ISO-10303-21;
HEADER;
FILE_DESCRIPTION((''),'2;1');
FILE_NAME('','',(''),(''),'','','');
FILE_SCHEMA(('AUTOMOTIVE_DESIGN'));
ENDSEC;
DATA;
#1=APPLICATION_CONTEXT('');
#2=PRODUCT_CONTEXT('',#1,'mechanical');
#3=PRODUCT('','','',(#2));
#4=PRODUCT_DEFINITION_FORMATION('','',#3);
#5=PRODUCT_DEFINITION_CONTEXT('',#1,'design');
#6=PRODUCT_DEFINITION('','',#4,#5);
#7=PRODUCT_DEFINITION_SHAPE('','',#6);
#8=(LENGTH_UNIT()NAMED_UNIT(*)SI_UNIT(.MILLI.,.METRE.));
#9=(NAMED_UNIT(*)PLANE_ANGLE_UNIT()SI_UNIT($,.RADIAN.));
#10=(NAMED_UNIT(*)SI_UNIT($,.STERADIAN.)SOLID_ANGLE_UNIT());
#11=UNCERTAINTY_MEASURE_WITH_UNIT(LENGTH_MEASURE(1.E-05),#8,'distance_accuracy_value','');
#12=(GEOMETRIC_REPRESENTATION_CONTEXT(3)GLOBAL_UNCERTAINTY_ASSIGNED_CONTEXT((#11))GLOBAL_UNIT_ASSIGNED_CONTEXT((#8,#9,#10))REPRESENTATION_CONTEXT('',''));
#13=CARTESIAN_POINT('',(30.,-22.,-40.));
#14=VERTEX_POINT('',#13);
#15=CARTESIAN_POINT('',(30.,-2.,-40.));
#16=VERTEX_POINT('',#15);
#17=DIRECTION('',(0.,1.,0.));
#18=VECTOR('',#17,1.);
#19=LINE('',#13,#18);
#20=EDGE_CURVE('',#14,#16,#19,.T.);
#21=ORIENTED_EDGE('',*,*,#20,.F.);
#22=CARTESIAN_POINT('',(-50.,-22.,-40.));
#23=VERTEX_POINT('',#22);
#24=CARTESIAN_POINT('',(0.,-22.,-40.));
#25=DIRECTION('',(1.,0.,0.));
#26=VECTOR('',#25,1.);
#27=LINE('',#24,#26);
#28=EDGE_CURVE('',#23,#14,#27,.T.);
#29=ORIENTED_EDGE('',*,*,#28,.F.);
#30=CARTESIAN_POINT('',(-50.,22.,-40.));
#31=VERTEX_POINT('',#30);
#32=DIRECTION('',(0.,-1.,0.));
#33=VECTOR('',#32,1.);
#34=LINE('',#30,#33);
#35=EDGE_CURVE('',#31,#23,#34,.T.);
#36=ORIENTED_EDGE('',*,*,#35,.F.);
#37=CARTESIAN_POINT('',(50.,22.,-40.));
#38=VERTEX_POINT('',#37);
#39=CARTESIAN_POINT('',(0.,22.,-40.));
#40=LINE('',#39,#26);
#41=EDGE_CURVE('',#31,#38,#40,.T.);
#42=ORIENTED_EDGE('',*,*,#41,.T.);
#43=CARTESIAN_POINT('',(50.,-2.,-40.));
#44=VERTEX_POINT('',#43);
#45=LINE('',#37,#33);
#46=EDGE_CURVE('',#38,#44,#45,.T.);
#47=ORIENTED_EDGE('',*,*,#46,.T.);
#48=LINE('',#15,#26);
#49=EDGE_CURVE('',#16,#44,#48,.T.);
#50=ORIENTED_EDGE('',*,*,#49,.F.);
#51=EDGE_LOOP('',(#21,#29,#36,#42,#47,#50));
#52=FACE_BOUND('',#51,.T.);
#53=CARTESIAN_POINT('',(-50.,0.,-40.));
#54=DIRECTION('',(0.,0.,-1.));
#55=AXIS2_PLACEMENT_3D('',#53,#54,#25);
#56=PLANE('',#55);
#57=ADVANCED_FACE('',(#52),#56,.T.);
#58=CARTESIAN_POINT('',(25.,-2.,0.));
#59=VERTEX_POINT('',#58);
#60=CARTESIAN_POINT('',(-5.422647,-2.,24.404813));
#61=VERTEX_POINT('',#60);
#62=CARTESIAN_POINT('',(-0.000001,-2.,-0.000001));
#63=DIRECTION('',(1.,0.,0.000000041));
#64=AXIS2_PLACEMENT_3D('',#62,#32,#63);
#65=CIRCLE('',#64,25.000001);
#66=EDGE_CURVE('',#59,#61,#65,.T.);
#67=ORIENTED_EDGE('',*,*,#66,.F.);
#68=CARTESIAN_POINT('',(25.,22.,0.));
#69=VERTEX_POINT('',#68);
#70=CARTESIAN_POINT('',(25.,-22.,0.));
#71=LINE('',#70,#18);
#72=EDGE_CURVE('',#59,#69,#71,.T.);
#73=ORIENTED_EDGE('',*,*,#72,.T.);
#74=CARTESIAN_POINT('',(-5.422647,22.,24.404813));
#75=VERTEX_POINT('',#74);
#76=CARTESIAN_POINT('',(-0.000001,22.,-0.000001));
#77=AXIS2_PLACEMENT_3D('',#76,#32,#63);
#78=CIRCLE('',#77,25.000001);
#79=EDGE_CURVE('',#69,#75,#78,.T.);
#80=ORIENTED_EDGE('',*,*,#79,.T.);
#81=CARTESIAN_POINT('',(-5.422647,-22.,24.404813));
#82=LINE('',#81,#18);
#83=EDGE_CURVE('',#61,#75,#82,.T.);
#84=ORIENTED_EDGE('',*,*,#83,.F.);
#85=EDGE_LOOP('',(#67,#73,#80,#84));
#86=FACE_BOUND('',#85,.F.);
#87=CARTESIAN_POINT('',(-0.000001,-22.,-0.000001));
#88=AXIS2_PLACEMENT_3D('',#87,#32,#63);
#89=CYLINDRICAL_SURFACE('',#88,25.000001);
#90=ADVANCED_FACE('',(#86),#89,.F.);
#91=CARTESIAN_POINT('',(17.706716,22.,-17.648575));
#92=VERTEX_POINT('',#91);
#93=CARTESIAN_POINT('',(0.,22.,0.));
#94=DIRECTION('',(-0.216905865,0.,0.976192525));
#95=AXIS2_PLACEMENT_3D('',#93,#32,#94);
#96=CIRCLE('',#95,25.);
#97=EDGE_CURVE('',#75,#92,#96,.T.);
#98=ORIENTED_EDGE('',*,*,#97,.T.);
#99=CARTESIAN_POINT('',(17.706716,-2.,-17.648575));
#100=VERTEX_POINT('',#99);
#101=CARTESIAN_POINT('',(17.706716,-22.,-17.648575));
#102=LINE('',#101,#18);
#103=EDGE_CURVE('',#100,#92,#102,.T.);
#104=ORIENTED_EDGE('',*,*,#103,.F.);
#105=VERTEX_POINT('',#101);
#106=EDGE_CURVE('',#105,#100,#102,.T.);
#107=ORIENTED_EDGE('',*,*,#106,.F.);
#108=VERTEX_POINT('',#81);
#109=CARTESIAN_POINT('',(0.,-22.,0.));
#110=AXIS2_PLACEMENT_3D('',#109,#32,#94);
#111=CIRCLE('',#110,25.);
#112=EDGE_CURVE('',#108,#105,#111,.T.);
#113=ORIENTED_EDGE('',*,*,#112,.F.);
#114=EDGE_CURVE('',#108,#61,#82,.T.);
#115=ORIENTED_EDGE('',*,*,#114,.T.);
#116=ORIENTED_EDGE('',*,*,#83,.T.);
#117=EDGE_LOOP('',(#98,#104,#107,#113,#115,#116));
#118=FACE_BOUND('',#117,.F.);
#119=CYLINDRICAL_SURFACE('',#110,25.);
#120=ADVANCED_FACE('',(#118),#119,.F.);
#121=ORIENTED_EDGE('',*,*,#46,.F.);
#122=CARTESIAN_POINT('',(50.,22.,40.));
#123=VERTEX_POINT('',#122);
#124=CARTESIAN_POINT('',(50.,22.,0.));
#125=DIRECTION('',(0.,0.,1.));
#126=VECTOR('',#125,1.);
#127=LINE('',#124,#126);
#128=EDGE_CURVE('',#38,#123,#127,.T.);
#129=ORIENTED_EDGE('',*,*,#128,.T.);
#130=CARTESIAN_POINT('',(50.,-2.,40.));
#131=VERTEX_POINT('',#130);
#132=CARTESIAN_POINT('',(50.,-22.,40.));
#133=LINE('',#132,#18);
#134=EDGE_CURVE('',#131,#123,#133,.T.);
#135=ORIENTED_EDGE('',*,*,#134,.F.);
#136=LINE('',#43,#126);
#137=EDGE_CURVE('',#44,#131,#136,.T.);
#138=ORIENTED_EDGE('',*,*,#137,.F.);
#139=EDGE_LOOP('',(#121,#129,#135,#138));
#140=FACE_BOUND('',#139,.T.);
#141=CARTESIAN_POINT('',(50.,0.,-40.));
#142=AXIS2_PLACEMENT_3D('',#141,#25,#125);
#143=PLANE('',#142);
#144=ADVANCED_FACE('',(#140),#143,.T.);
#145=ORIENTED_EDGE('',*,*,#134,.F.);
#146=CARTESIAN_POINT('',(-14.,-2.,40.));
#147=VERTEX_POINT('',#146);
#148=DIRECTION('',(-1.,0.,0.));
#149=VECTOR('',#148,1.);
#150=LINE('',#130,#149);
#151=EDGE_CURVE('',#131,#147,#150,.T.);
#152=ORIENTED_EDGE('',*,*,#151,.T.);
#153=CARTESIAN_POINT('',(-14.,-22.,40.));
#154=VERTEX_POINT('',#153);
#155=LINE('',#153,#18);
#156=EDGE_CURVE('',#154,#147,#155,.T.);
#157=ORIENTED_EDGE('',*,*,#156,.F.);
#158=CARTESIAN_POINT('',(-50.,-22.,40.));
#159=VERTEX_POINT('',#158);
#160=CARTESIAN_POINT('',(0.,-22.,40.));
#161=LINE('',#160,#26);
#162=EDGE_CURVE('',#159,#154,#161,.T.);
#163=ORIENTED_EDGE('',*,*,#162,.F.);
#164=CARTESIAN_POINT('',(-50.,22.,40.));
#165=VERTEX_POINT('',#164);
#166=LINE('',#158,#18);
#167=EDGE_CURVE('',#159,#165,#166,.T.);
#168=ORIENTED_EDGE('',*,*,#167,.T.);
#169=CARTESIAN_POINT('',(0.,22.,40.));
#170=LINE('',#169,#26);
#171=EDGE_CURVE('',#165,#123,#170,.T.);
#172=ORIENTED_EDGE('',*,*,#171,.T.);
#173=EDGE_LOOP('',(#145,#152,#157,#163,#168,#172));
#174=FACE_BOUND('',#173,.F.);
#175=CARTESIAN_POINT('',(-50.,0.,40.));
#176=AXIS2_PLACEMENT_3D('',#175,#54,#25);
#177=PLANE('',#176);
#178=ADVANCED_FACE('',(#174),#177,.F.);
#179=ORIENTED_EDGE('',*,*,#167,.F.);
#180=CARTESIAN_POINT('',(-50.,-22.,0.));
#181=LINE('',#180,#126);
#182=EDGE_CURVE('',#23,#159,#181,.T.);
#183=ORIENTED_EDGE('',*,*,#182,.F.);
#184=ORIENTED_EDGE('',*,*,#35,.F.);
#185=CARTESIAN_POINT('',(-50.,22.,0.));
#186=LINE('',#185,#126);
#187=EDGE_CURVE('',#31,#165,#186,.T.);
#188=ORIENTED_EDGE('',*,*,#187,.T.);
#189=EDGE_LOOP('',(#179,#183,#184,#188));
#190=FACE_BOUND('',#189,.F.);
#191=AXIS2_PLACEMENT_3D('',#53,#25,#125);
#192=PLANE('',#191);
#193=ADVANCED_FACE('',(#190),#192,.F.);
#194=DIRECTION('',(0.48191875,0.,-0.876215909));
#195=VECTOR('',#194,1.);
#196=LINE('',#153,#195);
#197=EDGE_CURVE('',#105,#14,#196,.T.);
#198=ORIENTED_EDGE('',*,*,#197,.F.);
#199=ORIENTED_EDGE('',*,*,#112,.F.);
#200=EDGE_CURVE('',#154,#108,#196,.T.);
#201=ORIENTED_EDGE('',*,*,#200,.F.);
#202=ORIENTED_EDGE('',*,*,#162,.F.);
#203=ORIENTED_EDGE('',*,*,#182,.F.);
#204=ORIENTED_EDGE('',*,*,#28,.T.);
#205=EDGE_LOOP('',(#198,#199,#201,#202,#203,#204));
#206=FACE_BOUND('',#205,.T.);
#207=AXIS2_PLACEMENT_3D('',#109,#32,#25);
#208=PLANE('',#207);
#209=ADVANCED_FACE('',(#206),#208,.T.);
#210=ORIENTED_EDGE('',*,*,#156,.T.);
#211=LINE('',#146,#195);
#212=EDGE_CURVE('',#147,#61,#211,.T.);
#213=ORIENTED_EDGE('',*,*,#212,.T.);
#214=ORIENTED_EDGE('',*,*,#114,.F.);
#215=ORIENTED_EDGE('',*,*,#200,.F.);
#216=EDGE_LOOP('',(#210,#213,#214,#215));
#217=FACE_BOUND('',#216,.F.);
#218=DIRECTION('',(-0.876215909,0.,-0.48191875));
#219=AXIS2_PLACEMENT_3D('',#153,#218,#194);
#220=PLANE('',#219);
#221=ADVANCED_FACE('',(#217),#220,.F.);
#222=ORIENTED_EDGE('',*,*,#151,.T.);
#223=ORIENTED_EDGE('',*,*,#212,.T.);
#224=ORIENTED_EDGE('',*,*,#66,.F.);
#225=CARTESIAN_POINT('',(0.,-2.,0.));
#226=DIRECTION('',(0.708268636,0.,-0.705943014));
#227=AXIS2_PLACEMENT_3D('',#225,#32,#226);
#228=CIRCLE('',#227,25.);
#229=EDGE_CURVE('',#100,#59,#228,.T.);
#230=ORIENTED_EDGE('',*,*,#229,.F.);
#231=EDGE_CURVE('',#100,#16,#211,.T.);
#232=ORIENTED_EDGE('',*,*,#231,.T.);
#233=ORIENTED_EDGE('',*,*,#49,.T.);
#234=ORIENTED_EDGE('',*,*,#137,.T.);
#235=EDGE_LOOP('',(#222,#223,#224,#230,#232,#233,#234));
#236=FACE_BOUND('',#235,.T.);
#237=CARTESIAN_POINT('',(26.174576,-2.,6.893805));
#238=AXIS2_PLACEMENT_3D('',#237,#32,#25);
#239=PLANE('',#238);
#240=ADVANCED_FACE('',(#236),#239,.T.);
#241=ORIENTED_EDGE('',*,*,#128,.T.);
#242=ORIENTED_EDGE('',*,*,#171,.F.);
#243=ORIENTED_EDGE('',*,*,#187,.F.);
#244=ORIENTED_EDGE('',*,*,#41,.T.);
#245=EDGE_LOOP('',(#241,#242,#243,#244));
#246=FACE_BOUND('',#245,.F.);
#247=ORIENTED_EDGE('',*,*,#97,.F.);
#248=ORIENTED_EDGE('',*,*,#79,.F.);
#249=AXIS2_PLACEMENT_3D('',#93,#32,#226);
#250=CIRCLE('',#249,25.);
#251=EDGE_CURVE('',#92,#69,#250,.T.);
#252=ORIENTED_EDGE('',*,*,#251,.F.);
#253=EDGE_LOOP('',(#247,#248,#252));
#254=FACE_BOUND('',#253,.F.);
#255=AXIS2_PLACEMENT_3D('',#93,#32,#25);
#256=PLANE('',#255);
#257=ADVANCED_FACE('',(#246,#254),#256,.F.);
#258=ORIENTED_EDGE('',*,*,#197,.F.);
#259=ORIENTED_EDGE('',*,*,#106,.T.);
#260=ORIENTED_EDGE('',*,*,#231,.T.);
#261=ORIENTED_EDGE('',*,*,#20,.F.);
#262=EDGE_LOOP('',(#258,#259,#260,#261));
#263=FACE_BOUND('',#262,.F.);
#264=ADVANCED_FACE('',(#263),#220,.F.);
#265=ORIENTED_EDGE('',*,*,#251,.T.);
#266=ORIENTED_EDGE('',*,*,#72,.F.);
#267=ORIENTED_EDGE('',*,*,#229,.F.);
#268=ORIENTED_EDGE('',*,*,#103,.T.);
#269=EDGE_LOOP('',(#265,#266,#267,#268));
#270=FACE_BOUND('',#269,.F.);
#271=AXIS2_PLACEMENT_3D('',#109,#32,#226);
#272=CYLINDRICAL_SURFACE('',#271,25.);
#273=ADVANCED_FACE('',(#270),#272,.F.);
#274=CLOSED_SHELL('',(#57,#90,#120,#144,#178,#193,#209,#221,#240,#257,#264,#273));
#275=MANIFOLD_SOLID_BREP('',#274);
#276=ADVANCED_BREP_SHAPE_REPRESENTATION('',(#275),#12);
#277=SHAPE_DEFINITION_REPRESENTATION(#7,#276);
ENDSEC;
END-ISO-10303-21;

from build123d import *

# Parameters (mm, degrees)
F0_W     = 100
F0_H     = 80
F1_DEPTH = 22
F3_DEPTH = 20
F5_DEPTH = 44.001


with BuildPart() as f1:
    # F0 (on Front) → F1 (new body, symmetric)
    with BuildSketch(Plane.XZ):
        Rectangle(F0_W, F0_H)
    extrude(amount=F1_DEPTH, both=True)

    # F2 (on face) → F3 (cut)
    with BuildSketch(Plane.XZ.offset(22)):
        Polygon((-14, 40), (30, -40), (50, -40), (50, 40), align=None)
    extrude(amount=-F3_DEPTH, mode=Mode.SUBTRACT)

    # F4 (on face) → F5 (cut, through all)
    with BuildSketch(Plane.XZ.offset(22)):
        with BuildLine():
            ThreePointArc((17.706716, -17.648575), (23.104847, -9.548091), (25, 0))
            ThreePointArc((25, 0), (15.64343, 19.500848), (-5.422647, 24.404813))
            Line((-5.422647, 24.404813), (17.706716, -17.648575))
        make_face()
        with BuildLine():
            Line((17.706716, -17.648575), (-5.422647, 24.404813))
            ThreePointArc((-5.422647, 24.404813), (-21.905398, -12.047969), (17.706716, -17.648575))
        make_face()
    extrude(amount=-F5_DEPTH, mode=Mode.SUBTRACT)


solid = f1.part
